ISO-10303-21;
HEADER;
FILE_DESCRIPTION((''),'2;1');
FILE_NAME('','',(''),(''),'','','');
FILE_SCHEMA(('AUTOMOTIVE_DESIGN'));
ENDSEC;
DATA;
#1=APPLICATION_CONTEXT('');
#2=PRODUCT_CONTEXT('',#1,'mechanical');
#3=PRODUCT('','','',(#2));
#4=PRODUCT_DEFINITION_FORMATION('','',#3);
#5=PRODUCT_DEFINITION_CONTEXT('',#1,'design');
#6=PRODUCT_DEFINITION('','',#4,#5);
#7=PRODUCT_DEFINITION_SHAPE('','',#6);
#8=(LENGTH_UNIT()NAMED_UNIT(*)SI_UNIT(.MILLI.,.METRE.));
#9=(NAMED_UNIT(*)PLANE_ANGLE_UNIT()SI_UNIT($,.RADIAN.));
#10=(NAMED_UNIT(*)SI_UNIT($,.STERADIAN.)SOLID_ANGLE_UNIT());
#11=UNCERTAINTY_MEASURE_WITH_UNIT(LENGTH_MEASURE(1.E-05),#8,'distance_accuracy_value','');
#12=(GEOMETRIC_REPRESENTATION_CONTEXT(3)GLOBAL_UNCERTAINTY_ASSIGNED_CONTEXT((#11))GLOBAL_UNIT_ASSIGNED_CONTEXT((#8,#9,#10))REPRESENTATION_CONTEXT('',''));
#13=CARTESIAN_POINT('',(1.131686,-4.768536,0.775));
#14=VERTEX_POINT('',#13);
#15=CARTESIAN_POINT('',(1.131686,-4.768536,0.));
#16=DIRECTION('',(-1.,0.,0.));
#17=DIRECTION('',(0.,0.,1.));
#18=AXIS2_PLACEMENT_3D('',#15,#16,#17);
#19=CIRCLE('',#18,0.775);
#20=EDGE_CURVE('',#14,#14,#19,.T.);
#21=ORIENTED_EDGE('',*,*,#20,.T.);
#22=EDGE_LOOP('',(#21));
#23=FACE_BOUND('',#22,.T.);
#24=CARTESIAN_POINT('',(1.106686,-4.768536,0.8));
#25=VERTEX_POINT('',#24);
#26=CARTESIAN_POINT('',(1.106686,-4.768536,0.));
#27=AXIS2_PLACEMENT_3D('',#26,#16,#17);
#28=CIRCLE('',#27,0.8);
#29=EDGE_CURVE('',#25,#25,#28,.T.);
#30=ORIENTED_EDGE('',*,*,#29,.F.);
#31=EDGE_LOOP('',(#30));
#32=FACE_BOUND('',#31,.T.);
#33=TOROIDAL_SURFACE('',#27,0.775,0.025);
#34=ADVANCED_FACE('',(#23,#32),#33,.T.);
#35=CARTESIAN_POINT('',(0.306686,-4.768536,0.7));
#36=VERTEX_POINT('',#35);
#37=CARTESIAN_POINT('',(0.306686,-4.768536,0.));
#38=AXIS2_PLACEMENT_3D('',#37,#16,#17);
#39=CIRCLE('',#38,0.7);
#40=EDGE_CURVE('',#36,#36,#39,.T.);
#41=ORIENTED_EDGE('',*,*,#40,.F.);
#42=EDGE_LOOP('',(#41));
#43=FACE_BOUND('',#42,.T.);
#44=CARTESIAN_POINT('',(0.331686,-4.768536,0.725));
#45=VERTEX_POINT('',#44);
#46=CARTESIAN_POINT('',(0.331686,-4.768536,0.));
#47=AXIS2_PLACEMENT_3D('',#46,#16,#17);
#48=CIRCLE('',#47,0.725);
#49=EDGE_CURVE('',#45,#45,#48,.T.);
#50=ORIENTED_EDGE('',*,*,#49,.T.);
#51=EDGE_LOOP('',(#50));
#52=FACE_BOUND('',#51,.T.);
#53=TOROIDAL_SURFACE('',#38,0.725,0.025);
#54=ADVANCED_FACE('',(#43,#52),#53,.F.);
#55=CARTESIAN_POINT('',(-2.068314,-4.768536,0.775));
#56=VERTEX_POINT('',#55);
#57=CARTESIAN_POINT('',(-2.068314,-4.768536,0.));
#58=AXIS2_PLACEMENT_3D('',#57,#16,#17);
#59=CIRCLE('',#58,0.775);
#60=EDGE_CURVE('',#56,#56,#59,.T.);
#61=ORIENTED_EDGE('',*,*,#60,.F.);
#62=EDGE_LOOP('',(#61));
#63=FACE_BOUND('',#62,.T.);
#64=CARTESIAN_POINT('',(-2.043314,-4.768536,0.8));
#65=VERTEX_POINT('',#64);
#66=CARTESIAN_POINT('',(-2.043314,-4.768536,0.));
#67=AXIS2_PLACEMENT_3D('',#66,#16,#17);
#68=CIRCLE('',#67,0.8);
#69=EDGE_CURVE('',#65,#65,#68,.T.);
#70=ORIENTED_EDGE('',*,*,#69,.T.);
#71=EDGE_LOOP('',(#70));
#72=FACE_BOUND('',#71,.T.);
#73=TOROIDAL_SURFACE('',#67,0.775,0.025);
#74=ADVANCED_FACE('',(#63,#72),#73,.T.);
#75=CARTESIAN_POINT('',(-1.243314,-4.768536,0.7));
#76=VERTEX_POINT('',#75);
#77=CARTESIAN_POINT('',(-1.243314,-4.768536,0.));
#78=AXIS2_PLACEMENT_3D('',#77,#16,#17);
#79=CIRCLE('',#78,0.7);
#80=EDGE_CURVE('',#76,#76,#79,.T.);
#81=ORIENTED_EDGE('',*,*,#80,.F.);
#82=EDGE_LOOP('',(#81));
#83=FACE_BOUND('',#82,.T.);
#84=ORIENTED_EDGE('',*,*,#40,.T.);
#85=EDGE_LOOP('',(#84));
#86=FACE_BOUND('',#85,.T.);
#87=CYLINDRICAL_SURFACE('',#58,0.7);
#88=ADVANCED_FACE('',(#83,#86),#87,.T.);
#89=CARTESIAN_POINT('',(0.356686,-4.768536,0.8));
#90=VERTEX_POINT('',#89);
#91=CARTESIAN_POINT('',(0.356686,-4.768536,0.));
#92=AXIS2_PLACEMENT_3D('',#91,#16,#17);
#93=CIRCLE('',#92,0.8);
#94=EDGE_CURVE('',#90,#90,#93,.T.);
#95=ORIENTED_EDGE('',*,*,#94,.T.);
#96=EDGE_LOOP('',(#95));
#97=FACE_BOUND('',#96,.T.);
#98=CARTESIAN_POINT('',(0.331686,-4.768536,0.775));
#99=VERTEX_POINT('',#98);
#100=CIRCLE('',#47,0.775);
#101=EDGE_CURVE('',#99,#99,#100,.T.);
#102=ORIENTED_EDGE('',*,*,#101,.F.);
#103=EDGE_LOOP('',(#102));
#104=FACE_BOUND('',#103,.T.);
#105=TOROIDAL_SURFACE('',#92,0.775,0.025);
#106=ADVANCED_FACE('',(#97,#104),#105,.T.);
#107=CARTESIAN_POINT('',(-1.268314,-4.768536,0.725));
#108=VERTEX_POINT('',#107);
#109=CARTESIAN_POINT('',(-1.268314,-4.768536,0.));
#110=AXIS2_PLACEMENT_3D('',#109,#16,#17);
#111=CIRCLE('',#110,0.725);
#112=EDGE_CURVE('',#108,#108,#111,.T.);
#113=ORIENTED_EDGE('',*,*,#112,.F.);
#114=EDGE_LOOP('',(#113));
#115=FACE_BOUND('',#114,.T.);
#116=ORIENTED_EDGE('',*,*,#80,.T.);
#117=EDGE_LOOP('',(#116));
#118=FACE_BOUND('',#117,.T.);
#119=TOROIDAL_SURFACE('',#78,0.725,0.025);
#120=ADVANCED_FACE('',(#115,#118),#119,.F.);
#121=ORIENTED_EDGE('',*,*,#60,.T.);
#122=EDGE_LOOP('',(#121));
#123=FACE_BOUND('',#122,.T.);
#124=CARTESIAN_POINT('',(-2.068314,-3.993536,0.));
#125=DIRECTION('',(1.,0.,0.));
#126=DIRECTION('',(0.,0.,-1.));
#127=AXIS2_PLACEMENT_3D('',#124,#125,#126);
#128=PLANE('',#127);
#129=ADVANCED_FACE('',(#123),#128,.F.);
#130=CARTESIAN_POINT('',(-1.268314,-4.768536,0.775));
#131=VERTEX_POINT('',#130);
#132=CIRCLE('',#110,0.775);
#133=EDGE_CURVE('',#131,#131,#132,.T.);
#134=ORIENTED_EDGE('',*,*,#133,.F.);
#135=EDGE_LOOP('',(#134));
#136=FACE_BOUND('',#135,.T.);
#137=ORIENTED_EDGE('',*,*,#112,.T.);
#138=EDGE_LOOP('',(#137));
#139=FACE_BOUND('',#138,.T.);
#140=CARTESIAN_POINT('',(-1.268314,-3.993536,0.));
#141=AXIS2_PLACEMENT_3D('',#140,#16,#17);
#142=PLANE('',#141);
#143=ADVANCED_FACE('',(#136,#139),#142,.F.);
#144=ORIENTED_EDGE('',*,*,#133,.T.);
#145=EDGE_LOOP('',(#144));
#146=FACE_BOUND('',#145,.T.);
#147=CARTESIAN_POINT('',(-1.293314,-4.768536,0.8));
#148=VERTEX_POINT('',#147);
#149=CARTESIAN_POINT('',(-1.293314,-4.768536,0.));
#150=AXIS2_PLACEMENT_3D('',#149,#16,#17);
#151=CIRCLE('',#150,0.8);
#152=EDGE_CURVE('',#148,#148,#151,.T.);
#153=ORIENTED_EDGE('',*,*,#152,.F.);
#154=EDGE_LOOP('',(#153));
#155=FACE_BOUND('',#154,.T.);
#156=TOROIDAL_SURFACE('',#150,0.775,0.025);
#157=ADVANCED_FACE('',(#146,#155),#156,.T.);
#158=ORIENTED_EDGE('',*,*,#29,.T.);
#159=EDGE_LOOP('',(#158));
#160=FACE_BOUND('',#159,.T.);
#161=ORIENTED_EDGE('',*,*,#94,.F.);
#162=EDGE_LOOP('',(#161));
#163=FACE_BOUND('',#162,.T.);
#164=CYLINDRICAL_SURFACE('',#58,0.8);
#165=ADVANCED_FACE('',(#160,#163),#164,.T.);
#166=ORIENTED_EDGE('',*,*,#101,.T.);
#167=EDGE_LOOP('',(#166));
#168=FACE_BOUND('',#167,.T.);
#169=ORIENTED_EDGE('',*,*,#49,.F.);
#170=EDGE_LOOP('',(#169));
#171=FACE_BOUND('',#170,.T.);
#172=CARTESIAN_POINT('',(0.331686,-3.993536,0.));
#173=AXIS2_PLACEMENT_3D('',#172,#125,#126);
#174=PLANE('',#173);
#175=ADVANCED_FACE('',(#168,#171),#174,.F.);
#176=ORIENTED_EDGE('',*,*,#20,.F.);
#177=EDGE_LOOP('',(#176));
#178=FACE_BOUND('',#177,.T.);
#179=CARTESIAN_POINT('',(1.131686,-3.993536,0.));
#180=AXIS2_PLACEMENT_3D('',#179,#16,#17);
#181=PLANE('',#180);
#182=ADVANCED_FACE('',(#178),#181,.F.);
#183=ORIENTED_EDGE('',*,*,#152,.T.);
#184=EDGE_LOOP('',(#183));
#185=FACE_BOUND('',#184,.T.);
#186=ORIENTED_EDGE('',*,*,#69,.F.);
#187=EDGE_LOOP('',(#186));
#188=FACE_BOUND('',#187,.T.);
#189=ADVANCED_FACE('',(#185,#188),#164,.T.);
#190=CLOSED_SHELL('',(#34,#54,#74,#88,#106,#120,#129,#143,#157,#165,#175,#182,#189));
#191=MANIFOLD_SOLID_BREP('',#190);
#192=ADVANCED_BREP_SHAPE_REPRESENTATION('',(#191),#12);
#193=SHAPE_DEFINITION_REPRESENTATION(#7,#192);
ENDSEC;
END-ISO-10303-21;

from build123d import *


with BuildPart() as part:
    # 草图1 → 旋转3 (revolve)
    with BuildSketch(Plane.XY, mode=Mode.PRIVATE) as revolve_3_sk:
        with BuildLine():
            Line((-2.043313513, -3.968536382), (-1.293313513, -3.968536382))
            ThreePointArc((-1.293313513, -3.968536382), (-1.275635844, -3.975858712), (-1.268313513, -3.993536382))
            Line((-1.268313513, -3.993536382), (-1.268313513, -4.043536382))
            ThreePointArc((-1.268313513, -4.043536382), (-1.260991183, -4.061214051), (-1.243313513, -4.068536382))
            Line((-1.243313513, -4.068536382), (0.306686487, -4.068536382))
            ThreePointArc((0.306686487, -4.068536382), (0.324364156, -4.061214051), (0.331686487, -4.043536382))
            Line((0.331686487, -4.043536382), (0.331686487, -3.993536382))
            ThreePointArc((0.331686487, -3.993536382), (0.339008817, -3.975858712), (0.356686487, -3.968536382))
            Line((0.356686487, -3.968536382), (1.106686487, -3.968536382))
            ThreePointArc((1.106686487, -3.968536382), (1.124364156, -3.975858712), (1.131686487, -3.993536382))
            Line((1.131686487, -3.993536382), (1.131686487, -4.768536382))
            Line((1.131686487, -4.768536382), (-2.068313513, -4.768536382))
            Line((-2.068313513, -4.768536382), (-2.068313513, -3.993536382))
            ThreePointArc((-2.068313513, -3.993536382), (-2.060991183, -3.975858712), (-2.043313513, -3.968536382))
        make_face()
    revolve(revolve_3_sk.sketch.rotate(Axis((-2.068313513, -4.768536382, 0), (1, 0, 0)), 90), axis=Axis((-2.068313513, -4.768536382, 0), (1, 0, 0)))


solid = part.part
